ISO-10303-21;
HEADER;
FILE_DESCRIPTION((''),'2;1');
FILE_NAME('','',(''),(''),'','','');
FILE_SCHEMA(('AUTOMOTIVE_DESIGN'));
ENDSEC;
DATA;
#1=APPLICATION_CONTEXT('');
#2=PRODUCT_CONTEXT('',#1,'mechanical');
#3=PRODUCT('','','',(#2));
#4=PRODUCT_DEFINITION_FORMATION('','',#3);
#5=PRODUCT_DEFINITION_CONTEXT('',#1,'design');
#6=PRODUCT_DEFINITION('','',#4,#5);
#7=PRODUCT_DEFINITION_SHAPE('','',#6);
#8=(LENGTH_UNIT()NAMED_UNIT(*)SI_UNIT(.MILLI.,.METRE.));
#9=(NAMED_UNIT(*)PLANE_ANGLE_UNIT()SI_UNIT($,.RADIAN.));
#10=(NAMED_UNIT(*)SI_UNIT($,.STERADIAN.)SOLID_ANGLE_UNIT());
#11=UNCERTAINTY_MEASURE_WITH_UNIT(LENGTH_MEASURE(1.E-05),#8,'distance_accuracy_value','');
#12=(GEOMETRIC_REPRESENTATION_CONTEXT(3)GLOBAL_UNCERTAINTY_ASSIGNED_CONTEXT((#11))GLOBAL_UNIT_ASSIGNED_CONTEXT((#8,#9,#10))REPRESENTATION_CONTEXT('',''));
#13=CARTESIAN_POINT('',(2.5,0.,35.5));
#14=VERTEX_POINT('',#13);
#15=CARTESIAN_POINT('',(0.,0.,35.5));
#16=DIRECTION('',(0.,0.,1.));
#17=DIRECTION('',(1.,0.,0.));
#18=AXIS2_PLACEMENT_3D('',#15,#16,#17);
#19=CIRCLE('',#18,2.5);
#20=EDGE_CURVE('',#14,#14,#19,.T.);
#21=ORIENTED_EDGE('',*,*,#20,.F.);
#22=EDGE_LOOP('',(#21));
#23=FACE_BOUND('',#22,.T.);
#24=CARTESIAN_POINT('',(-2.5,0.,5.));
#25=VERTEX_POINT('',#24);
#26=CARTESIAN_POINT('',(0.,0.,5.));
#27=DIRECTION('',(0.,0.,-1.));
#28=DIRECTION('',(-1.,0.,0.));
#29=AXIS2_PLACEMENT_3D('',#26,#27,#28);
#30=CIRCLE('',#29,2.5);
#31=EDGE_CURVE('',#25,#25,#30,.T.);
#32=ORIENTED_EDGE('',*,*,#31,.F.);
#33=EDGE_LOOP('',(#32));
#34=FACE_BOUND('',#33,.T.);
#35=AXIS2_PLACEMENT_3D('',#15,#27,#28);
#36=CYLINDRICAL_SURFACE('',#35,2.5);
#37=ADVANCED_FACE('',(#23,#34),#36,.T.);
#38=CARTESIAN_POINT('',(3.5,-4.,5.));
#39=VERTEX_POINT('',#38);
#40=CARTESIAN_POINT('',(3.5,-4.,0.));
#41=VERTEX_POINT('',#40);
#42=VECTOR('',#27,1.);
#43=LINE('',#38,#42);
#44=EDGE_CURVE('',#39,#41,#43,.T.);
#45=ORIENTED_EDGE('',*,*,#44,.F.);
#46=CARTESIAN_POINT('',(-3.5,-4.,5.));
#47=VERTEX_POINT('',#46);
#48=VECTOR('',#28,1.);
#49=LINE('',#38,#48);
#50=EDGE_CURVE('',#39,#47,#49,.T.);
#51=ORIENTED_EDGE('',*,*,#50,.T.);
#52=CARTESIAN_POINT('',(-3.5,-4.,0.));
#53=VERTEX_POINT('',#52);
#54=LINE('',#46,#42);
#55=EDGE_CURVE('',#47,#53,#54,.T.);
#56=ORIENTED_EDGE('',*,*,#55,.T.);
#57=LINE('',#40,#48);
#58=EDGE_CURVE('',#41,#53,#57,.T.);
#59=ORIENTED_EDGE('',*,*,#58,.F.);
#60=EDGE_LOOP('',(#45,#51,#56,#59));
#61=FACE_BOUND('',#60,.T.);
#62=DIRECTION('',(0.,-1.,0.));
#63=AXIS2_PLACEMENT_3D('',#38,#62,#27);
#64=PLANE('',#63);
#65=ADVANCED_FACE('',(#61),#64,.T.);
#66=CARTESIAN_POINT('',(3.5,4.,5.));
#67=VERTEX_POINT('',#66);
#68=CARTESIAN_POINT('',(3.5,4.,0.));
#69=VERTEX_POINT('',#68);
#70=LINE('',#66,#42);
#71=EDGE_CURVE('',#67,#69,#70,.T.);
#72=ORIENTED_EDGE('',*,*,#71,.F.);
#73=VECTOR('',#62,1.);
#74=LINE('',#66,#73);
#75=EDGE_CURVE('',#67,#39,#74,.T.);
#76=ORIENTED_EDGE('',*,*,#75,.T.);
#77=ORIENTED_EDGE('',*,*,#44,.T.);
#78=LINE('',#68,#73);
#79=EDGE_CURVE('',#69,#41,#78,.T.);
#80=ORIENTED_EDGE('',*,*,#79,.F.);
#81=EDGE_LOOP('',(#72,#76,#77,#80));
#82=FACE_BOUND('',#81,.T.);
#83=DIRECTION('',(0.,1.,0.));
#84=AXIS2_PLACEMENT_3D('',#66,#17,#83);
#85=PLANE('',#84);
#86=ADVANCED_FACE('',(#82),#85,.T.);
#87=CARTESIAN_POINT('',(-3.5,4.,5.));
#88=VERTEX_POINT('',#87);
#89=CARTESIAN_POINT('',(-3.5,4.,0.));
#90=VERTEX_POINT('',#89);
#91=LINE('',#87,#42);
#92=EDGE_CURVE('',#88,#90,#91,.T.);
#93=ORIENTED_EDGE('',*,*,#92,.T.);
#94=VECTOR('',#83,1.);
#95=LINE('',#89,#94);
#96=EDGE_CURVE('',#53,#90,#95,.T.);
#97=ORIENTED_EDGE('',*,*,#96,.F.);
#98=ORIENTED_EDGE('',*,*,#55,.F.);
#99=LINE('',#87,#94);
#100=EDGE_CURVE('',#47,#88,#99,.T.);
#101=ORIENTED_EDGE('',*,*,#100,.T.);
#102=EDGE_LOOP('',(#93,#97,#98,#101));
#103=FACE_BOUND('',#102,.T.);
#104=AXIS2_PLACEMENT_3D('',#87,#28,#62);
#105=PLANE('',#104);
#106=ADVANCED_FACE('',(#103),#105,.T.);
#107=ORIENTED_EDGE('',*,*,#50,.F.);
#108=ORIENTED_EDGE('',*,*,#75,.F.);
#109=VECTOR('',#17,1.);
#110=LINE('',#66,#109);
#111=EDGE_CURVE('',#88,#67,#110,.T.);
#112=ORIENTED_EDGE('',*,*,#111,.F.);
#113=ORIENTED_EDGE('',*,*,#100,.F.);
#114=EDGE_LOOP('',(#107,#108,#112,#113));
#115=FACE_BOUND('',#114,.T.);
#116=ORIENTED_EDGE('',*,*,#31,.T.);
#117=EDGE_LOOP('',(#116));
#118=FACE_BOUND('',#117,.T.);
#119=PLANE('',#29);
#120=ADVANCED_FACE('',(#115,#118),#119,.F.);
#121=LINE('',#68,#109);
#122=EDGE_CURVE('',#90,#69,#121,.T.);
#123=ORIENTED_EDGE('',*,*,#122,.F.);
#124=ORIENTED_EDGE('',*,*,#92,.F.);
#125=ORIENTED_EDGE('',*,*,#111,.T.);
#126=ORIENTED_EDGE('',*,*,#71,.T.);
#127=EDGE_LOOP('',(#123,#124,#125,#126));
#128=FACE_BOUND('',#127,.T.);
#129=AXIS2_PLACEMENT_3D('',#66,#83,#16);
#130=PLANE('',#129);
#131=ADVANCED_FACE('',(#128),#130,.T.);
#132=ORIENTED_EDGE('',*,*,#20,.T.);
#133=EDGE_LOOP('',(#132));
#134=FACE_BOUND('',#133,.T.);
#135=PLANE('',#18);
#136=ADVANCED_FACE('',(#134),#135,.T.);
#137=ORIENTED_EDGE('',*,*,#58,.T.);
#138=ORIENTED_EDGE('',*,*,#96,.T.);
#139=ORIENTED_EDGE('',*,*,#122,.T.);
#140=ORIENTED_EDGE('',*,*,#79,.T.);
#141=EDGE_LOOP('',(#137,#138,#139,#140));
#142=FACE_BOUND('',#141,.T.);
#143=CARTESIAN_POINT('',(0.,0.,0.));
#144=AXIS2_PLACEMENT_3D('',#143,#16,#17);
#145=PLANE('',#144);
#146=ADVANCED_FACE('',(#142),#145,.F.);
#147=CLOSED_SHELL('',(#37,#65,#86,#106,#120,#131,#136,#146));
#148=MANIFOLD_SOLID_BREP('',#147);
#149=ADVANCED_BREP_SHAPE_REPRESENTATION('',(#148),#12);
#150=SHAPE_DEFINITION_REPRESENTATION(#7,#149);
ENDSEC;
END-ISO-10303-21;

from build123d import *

# Parameters (mm, degrees)
SKETCH2_R           = 2.5
BOSS_EXTRUDE1_DEPTH = 35.5
SKETCH4_W           = 7
SKETCH4_H           = 8
BOSS_EXTRUDE4_DEPTH = 5


with BuildPart() as part:
    # Sketch2 → Boss-Extrude1 (new body)
    with BuildSketch(Plane.XY):
        Circle(SKETCH2_R)
    extrude(amount=BOSS_EXTRUDE1_DEPTH)

    # Sketch4 → Boss-Extrude4 (add)
    with BuildSketch(Plane(origin=(0, 0, 0), x_dir=(-1, 0, 0), z_dir=(0, 0, -1))):
        Rectangle(SKETCH4_W, SKETCH4_H)
    extrude(amount=-BOSS_EXTRUDE4_DEPTH)


solid = part.part
